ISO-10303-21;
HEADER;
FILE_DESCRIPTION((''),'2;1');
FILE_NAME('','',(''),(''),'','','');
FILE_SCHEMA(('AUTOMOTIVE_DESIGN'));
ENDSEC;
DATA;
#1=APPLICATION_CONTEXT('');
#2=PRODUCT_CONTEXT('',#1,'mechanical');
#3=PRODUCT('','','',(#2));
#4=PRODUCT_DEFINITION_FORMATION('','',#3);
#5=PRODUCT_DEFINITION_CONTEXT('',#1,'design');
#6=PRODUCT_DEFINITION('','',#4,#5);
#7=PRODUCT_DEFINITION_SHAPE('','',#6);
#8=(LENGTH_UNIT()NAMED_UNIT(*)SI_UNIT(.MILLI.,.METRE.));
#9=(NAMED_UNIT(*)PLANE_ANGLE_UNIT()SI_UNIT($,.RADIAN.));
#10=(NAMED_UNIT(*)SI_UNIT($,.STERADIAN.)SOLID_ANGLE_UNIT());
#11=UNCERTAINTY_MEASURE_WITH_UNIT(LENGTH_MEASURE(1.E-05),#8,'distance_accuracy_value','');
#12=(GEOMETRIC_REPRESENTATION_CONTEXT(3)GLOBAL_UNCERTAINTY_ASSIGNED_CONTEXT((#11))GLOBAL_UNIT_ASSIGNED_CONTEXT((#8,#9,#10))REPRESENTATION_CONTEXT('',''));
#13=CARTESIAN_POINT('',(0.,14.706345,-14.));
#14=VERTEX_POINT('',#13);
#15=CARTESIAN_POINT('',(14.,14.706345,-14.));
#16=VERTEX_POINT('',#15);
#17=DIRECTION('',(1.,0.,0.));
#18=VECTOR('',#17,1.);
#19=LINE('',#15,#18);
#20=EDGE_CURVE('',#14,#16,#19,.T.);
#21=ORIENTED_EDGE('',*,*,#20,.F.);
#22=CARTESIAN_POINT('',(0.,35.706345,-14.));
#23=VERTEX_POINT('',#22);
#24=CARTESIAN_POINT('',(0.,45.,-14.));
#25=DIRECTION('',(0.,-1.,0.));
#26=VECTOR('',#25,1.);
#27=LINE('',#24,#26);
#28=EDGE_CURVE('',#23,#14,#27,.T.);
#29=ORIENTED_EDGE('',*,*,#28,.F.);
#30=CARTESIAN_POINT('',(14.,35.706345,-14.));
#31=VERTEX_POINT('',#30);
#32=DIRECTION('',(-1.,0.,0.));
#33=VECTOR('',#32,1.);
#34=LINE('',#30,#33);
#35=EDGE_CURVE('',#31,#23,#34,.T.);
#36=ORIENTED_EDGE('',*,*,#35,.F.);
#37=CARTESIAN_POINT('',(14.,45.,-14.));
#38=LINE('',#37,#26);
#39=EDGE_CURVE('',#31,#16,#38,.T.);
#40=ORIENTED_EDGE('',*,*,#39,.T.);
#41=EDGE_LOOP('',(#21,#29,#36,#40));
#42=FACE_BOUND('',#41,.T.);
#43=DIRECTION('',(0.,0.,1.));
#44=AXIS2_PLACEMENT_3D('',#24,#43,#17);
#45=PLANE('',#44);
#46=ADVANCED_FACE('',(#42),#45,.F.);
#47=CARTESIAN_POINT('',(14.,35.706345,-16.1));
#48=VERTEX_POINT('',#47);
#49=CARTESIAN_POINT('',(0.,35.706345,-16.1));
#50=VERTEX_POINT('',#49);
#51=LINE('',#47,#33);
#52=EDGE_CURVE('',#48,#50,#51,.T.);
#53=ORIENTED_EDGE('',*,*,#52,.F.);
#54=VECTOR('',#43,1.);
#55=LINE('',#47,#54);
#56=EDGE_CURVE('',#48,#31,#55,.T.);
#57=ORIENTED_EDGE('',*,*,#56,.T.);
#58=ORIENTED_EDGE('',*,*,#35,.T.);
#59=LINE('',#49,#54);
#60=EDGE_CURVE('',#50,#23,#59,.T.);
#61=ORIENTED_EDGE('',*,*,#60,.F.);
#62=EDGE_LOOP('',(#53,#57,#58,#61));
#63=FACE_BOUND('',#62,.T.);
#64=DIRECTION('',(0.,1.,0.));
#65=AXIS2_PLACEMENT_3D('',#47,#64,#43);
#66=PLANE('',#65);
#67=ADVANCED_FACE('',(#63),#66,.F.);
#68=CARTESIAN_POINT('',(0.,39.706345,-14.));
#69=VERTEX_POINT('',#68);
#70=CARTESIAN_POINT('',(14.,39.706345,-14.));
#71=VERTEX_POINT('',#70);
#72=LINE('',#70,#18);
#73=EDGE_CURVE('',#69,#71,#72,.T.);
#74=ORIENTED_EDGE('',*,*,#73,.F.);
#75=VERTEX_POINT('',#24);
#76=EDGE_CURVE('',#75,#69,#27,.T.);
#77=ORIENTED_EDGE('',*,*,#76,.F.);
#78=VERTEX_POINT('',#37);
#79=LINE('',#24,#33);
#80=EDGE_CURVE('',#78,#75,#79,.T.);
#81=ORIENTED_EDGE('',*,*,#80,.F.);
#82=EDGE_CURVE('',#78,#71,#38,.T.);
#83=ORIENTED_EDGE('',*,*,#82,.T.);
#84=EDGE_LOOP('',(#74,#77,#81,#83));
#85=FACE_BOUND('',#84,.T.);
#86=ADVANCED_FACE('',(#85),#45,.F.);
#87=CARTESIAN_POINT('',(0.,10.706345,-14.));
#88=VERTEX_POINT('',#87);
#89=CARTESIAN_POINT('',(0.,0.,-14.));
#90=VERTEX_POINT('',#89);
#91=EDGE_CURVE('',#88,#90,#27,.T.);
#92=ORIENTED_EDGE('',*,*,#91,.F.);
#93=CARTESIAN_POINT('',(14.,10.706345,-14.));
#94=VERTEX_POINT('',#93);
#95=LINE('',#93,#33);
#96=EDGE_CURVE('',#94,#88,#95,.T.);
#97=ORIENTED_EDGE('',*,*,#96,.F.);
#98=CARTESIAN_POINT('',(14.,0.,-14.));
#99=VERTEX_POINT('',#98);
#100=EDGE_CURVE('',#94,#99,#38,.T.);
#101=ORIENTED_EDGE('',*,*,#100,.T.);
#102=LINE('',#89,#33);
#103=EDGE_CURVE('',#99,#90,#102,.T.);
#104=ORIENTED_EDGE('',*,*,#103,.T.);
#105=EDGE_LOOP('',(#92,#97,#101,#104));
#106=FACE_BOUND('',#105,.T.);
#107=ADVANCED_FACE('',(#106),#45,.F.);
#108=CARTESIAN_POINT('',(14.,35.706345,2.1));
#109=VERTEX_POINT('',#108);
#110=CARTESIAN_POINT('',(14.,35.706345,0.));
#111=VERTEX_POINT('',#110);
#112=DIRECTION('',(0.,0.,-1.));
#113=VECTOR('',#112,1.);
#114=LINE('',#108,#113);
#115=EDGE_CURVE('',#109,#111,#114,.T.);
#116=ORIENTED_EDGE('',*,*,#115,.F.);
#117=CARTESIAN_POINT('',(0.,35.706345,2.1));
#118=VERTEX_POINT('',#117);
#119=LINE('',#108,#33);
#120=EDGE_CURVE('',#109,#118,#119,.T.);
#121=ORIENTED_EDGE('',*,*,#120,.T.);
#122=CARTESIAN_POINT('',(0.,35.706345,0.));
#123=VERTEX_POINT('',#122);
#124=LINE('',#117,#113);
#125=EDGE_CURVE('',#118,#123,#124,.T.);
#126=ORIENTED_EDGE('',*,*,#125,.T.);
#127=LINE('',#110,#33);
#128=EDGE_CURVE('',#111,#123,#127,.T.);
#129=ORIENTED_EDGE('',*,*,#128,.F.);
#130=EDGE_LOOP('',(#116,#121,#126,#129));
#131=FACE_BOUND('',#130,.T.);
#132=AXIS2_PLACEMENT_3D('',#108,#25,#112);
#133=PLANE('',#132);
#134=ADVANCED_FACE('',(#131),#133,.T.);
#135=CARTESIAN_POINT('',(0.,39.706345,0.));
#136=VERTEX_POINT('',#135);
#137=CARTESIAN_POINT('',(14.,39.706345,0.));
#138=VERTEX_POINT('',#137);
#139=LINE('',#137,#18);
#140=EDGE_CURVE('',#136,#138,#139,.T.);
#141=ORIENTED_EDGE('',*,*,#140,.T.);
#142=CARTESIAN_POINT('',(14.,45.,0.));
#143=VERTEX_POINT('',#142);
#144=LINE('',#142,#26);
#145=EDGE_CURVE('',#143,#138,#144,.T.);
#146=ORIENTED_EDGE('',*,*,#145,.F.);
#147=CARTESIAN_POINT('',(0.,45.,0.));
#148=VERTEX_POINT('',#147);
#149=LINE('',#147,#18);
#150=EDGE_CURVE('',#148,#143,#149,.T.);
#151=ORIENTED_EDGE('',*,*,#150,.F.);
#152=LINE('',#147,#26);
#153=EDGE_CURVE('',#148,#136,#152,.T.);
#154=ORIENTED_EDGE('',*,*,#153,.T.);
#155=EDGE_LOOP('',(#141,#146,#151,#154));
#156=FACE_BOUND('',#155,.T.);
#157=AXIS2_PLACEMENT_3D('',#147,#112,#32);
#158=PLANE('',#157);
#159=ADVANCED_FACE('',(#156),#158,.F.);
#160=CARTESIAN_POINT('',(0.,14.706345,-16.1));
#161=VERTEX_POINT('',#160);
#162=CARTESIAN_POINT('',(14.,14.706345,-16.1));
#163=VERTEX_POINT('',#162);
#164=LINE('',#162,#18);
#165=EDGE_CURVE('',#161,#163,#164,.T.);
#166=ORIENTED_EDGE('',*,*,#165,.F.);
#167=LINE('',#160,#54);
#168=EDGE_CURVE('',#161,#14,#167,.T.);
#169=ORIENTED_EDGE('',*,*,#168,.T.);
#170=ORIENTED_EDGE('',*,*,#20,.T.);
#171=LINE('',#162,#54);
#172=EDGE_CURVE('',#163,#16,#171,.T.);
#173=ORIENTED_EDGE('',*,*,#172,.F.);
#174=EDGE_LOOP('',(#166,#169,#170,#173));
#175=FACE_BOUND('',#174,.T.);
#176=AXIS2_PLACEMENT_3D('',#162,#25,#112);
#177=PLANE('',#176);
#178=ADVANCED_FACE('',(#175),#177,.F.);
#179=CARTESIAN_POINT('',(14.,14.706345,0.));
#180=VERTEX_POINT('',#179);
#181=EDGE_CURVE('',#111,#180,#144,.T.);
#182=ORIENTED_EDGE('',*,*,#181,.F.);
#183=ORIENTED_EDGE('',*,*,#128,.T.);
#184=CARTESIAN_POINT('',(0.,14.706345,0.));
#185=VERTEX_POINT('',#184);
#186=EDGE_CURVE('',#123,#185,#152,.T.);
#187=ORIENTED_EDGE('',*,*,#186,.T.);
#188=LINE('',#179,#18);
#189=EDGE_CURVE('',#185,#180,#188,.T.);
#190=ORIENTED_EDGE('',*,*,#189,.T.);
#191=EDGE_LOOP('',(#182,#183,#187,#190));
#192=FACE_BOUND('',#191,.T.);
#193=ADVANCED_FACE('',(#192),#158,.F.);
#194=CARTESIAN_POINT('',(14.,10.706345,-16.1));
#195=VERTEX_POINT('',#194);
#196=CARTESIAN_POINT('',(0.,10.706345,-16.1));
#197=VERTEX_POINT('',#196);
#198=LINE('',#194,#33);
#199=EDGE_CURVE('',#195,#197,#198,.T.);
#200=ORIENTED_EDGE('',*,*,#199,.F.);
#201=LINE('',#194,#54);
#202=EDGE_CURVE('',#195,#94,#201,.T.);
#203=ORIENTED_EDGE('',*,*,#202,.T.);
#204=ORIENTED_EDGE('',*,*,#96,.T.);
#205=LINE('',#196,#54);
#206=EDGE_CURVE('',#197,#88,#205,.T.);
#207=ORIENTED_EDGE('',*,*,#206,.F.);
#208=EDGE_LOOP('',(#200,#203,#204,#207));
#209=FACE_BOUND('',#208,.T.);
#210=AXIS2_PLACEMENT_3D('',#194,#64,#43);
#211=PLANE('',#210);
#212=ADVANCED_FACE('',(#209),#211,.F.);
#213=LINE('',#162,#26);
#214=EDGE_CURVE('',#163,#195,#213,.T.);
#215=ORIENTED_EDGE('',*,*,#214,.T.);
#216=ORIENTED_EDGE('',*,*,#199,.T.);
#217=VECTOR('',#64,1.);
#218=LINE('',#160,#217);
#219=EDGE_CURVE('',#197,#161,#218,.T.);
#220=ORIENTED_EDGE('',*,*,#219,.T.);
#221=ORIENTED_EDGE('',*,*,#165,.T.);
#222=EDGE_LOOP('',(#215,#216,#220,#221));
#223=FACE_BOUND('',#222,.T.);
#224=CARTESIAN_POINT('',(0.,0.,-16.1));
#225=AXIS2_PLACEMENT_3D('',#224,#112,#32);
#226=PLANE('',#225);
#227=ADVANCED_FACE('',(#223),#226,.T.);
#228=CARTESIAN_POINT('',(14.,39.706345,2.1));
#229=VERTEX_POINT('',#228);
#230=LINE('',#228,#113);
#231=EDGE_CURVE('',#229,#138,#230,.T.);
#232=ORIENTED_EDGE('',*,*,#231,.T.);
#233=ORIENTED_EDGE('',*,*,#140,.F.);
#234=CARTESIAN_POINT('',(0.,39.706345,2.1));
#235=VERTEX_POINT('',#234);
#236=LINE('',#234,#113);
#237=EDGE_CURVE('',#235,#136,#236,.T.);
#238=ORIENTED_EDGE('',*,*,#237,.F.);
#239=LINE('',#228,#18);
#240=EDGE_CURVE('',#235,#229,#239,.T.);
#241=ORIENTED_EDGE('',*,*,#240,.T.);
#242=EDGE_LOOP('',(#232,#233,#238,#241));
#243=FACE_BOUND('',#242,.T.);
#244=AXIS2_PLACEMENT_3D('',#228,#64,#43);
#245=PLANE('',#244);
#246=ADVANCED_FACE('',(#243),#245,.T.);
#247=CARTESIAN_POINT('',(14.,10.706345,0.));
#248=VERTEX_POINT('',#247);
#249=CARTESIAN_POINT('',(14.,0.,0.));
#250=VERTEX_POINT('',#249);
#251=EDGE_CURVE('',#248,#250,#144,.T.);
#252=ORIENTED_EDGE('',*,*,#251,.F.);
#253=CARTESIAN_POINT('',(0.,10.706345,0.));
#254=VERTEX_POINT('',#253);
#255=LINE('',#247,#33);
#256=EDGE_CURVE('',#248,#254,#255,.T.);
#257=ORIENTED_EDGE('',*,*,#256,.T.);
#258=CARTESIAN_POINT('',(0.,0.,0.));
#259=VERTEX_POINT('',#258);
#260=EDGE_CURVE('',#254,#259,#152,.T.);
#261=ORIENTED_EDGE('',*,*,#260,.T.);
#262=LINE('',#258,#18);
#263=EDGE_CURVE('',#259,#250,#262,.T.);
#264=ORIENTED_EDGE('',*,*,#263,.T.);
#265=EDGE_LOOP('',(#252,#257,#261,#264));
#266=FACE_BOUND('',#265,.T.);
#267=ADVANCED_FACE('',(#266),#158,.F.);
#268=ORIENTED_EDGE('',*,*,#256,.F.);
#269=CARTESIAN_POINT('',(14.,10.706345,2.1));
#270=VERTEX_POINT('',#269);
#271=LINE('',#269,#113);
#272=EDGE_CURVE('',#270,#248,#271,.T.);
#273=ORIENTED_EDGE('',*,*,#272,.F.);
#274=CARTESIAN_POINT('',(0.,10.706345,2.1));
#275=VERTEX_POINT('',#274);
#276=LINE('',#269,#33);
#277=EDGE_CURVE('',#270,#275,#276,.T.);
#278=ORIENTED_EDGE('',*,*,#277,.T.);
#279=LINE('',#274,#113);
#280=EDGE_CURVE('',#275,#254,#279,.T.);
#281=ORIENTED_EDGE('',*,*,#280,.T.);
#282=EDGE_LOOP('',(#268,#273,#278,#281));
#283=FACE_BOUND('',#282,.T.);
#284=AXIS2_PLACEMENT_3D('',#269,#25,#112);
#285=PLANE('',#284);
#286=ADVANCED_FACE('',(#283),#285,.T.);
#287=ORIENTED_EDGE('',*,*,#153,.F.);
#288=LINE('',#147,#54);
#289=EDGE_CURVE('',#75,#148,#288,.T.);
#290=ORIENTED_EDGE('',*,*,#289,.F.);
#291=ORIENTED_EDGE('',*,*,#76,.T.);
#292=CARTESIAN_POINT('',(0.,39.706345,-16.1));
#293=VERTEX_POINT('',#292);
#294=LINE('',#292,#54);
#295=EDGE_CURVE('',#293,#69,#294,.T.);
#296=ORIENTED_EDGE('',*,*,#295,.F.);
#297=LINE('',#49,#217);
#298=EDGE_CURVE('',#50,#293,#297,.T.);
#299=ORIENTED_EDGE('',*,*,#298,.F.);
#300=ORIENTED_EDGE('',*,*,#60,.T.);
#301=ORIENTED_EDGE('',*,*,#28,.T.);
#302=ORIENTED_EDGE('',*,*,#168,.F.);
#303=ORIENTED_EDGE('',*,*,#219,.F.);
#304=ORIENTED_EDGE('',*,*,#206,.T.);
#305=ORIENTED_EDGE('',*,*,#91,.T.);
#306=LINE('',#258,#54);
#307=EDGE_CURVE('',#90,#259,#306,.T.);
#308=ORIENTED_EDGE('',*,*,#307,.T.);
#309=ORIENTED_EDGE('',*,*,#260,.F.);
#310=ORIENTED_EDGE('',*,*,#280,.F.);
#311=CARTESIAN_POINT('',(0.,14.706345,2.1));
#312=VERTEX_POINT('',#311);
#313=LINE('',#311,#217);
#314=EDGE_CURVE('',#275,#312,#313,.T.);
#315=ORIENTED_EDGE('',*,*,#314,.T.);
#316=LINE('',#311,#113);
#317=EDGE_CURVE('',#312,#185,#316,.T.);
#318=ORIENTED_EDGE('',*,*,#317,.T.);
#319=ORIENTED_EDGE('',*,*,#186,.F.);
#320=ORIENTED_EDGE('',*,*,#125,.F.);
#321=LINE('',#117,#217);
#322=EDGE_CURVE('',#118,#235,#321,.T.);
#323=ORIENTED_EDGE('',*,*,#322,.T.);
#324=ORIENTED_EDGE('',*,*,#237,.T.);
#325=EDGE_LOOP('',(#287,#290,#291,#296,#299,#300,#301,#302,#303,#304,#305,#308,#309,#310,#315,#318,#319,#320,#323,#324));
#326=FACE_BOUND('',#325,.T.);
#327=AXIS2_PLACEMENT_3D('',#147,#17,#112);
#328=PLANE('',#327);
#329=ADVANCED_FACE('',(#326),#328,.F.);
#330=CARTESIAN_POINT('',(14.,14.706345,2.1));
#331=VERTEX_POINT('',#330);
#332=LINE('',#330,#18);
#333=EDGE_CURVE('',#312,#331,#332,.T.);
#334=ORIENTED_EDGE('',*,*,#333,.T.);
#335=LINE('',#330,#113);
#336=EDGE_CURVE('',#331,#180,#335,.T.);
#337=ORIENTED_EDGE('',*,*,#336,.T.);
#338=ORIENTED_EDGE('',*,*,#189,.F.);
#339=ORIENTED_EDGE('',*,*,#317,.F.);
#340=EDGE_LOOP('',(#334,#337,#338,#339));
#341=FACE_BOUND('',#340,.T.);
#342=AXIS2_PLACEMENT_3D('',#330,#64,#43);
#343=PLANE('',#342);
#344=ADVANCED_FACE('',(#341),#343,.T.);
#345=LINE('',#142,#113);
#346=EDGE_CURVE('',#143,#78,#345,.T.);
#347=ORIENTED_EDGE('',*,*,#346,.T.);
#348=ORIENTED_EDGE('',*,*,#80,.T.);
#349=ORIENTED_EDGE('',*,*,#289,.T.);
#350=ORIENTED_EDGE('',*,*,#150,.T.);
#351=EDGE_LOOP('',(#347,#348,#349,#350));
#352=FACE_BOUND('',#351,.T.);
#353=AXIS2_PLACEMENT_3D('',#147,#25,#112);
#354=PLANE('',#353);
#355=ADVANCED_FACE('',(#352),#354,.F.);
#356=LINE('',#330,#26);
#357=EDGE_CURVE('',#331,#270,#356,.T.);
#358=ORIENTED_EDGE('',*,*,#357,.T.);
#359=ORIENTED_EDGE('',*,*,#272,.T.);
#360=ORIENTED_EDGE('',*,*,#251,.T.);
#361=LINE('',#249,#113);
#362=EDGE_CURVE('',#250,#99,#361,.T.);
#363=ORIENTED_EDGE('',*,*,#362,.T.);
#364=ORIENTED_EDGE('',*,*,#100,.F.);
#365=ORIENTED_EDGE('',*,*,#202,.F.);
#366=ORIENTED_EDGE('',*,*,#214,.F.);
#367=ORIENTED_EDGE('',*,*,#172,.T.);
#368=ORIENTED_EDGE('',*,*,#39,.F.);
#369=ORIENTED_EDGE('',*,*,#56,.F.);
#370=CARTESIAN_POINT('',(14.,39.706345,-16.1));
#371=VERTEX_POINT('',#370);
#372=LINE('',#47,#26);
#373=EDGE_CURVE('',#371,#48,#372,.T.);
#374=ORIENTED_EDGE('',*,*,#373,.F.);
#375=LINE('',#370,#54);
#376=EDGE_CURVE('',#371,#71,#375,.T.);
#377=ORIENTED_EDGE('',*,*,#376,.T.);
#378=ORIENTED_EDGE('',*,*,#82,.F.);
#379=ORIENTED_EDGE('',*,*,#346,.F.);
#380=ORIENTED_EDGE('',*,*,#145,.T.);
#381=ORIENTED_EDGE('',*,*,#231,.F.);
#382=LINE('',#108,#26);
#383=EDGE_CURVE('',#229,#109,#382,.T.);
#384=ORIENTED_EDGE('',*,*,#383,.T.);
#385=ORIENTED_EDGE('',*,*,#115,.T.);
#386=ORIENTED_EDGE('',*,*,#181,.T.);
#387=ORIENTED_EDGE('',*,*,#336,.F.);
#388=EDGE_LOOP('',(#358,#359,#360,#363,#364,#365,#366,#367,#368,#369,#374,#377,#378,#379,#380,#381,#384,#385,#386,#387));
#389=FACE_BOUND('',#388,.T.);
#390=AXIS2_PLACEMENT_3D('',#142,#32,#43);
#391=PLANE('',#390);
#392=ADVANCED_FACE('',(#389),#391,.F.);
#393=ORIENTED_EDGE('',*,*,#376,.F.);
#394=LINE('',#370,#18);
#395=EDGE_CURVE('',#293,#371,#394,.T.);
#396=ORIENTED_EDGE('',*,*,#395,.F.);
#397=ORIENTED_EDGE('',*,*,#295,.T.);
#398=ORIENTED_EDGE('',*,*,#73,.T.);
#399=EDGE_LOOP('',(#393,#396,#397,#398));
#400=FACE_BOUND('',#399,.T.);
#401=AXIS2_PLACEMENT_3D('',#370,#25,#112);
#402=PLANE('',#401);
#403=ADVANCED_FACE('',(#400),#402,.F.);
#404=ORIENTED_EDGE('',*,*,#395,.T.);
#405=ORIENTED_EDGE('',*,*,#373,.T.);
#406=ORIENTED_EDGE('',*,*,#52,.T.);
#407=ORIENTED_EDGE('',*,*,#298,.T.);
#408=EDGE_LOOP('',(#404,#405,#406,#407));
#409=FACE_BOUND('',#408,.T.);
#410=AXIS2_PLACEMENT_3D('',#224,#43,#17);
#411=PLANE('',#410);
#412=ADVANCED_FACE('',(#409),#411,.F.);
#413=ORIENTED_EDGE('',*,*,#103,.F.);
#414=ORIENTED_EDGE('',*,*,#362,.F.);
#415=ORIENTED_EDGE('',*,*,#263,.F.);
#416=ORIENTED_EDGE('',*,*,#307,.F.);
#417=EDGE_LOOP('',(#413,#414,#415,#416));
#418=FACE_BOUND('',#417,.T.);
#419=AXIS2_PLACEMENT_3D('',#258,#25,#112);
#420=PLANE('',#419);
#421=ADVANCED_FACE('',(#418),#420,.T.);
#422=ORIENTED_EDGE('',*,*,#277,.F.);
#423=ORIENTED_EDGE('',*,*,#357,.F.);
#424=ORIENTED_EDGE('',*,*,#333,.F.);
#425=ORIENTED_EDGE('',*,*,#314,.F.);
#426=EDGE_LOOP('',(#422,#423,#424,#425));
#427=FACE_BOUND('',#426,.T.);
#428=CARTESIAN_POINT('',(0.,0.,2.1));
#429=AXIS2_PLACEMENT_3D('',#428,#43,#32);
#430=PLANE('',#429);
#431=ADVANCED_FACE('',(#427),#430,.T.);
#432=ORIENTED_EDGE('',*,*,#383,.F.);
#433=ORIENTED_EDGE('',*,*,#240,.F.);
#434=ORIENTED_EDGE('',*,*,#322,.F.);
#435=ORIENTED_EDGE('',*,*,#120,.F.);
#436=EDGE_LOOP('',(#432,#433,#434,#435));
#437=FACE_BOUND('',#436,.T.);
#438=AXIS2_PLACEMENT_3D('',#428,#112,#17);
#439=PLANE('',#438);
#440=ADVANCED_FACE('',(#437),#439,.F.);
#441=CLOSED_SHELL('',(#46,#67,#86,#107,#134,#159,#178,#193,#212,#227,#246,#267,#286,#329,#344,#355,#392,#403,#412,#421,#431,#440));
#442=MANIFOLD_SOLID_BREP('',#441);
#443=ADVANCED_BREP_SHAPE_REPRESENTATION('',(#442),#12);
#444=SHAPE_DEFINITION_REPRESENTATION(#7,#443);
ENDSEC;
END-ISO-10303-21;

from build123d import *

# Parameters (mm, degrees)
SKETCH1_W           = 14
SKETCH1_H           = 14
BOSS_EXTRUDE1_DEPTH = 45
SKETCH2_W           = 14
SKETCH2_H           = 4
BOSS_EXTRUDE2_DEPTH = 2.1


with BuildPart() as part:
    # Sketch1 → Boss-Extrude1 (new body)
    with BuildSketch(Plane(origin=(0, 0, 0), x_dir=(1, 0, 0), z_dir=(0, 1, 0))):
        with Locations((7, 7)):
            Rectangle(SKETCH1_W, SKETCH1_H)
    extrude(amount=BOSS_EXTRUDE1_DEPTH)

    # Sketch2 → Boss-Extrude2 (add)
    with BuildSketch(Plane(origin=(0, 0, -14), x_dir=(-1, 0, 0), z_dir=(0, 0, -1))):
        with Locations((-7, 37.706344583)):
            Rectangle(SKETCH2_W, SKETCH2_H)
        with Locations((-7, 12.706344583)):
            Rectangle(SKETCH2_W, SKETCH2_H)
    boss_extrude2 = extrude(amount=BOSS_EXTRUDE2_DEPTH)

    # Mirror1: Boss-Extrude2 across plane
    add(boss_extrude2.mirror(Plane.XY.offset(-7)))


solid = part.part
